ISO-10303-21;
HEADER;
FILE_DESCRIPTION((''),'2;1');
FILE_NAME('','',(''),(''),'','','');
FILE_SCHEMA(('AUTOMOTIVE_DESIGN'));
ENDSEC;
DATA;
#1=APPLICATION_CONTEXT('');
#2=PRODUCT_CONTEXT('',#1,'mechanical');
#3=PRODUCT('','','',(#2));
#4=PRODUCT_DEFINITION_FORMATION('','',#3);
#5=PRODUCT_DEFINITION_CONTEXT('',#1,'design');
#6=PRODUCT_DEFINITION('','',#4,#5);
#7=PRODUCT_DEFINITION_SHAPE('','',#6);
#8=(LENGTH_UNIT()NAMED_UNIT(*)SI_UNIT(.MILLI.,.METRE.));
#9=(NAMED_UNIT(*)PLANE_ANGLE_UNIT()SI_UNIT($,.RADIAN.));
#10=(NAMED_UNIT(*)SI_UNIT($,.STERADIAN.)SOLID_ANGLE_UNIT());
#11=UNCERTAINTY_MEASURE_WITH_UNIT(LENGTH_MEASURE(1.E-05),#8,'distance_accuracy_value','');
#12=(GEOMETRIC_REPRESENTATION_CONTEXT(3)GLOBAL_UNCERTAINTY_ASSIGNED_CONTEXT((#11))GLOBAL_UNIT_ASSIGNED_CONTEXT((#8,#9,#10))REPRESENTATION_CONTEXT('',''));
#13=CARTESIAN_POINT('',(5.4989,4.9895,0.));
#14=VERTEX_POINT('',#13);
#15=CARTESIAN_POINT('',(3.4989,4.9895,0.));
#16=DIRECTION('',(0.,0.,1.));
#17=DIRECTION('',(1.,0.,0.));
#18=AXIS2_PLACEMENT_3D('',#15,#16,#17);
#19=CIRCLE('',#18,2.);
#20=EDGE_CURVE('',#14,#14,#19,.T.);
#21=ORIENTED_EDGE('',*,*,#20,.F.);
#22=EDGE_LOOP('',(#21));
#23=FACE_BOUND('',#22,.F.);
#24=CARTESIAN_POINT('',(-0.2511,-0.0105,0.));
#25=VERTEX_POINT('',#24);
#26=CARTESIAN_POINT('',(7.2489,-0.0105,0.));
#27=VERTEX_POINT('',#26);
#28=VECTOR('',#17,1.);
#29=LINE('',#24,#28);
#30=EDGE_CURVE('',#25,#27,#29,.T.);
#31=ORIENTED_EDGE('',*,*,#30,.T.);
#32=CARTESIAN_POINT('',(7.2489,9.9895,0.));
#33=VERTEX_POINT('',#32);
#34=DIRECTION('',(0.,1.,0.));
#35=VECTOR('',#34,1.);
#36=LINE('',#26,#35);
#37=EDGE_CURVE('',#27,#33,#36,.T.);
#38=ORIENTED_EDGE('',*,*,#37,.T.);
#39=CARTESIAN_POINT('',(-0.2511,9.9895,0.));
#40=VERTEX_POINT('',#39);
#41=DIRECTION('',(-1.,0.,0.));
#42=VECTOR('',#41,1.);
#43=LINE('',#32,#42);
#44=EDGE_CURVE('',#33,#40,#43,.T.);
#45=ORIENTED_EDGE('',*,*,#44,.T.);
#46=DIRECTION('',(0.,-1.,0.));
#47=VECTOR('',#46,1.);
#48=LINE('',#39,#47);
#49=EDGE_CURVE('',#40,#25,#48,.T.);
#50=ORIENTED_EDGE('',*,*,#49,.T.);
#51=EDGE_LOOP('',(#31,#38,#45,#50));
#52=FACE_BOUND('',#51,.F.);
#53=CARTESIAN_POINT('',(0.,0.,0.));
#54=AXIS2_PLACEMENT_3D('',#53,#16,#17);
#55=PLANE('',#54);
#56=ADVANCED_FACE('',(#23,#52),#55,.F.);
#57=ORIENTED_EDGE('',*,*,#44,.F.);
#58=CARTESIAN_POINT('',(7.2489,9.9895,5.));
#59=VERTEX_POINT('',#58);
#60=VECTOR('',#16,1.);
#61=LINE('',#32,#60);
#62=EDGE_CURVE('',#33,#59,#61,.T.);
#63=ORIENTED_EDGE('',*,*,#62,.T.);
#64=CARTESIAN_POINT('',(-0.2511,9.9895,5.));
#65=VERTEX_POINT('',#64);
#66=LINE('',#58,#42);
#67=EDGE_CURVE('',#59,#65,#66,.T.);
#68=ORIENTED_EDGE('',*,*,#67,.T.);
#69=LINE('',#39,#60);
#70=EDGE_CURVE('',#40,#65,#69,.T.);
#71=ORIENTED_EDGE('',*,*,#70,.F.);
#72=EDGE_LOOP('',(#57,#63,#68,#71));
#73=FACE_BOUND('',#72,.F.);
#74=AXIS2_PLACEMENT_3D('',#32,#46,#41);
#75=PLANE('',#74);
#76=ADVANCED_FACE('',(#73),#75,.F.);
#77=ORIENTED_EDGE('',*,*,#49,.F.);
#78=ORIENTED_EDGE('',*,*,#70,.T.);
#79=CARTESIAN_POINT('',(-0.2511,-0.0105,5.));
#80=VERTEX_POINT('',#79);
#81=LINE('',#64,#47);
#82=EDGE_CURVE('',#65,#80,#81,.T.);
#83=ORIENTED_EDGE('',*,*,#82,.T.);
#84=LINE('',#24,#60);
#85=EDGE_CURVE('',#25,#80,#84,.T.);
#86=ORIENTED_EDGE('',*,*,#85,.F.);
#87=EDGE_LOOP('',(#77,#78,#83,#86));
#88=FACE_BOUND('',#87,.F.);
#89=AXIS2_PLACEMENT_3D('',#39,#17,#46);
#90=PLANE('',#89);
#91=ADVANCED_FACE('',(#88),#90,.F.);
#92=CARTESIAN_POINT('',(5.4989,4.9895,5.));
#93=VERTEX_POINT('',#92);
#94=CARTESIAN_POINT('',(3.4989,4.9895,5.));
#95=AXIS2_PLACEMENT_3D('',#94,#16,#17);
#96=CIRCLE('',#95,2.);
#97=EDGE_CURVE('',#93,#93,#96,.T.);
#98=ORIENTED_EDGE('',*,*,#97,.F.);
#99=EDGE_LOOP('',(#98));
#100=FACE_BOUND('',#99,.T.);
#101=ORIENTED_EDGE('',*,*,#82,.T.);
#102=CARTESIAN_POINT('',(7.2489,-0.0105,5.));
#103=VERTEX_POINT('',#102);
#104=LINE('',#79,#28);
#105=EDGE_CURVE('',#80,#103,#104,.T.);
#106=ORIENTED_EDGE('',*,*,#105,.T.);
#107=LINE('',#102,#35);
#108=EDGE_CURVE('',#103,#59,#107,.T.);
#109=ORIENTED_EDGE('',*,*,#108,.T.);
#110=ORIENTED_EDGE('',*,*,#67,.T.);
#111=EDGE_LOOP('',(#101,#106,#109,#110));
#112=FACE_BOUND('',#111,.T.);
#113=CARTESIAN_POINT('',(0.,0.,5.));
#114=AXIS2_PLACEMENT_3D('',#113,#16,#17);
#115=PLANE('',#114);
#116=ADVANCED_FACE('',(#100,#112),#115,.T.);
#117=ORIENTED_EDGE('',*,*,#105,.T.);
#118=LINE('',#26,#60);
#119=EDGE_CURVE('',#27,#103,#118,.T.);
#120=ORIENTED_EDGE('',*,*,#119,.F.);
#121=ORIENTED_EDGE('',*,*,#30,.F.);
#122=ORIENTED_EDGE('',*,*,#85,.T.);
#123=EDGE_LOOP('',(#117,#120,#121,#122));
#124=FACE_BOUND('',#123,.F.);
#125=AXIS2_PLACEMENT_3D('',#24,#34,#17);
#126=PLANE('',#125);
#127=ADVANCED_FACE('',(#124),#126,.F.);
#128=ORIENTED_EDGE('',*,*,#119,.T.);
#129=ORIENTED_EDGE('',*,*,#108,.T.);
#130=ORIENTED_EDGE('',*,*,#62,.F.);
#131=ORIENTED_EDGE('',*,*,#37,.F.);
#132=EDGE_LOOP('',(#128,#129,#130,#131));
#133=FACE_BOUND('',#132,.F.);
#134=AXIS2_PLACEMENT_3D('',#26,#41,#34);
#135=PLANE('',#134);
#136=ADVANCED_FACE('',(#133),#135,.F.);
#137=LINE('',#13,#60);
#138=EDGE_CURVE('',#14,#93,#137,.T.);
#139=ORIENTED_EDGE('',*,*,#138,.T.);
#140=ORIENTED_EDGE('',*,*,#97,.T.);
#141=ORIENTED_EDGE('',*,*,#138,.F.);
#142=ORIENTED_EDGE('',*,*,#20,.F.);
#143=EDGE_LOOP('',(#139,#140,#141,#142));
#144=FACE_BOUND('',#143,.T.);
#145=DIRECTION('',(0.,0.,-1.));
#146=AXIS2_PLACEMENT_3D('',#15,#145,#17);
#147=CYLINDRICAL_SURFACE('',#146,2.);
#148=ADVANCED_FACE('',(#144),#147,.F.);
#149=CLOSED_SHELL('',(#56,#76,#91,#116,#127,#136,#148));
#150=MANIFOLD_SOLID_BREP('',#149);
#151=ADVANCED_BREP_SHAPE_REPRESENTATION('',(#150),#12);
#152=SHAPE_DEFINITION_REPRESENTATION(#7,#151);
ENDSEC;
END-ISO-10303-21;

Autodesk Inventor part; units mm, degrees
ref_plane "YZ Plane" through (0, 0, 0) normal (1, 0, 0) x (0, 1, 0)
ref_plane "XZ Plane" through (0, 0, 0) normal (0, 1, 0) x (-1, 0, 0)
ref_plane "XY Plane" through (0, 0, 0) normal (0, 0, 1) x (1, 0, 0)
sketch "Sketch1" plane through (0, 0, 0) normal (0, 0, 1) x (1, 0, 0)
  line L0 (-0.2511, -0.0105) -> (7.2489, -0.0105)
  line L1 (7.2489, -0.0105) -> (7.2489, 9.9895)
  line L2 (7.2489, 9.9895) -> (-0.2511, 9.9895)
  line L3 (-0.2511, 9.9895) -> (-0.2511, -0.0105)
  circle A0 centre (3.4989, 4.9895) radius 2
  point P0 (7.2471, -0.0105)
  dimension "d2" = 4
  dimension "d3" = 5
  dimension "d4" = 7.5
  dimension "d5" = 10
  dimension "d6" = 3.75
extrude "Extrusion1" add sketch "Sketch1" along normal blind 5
properties part number "short back plate spacer" material "Nylon 6/6"
